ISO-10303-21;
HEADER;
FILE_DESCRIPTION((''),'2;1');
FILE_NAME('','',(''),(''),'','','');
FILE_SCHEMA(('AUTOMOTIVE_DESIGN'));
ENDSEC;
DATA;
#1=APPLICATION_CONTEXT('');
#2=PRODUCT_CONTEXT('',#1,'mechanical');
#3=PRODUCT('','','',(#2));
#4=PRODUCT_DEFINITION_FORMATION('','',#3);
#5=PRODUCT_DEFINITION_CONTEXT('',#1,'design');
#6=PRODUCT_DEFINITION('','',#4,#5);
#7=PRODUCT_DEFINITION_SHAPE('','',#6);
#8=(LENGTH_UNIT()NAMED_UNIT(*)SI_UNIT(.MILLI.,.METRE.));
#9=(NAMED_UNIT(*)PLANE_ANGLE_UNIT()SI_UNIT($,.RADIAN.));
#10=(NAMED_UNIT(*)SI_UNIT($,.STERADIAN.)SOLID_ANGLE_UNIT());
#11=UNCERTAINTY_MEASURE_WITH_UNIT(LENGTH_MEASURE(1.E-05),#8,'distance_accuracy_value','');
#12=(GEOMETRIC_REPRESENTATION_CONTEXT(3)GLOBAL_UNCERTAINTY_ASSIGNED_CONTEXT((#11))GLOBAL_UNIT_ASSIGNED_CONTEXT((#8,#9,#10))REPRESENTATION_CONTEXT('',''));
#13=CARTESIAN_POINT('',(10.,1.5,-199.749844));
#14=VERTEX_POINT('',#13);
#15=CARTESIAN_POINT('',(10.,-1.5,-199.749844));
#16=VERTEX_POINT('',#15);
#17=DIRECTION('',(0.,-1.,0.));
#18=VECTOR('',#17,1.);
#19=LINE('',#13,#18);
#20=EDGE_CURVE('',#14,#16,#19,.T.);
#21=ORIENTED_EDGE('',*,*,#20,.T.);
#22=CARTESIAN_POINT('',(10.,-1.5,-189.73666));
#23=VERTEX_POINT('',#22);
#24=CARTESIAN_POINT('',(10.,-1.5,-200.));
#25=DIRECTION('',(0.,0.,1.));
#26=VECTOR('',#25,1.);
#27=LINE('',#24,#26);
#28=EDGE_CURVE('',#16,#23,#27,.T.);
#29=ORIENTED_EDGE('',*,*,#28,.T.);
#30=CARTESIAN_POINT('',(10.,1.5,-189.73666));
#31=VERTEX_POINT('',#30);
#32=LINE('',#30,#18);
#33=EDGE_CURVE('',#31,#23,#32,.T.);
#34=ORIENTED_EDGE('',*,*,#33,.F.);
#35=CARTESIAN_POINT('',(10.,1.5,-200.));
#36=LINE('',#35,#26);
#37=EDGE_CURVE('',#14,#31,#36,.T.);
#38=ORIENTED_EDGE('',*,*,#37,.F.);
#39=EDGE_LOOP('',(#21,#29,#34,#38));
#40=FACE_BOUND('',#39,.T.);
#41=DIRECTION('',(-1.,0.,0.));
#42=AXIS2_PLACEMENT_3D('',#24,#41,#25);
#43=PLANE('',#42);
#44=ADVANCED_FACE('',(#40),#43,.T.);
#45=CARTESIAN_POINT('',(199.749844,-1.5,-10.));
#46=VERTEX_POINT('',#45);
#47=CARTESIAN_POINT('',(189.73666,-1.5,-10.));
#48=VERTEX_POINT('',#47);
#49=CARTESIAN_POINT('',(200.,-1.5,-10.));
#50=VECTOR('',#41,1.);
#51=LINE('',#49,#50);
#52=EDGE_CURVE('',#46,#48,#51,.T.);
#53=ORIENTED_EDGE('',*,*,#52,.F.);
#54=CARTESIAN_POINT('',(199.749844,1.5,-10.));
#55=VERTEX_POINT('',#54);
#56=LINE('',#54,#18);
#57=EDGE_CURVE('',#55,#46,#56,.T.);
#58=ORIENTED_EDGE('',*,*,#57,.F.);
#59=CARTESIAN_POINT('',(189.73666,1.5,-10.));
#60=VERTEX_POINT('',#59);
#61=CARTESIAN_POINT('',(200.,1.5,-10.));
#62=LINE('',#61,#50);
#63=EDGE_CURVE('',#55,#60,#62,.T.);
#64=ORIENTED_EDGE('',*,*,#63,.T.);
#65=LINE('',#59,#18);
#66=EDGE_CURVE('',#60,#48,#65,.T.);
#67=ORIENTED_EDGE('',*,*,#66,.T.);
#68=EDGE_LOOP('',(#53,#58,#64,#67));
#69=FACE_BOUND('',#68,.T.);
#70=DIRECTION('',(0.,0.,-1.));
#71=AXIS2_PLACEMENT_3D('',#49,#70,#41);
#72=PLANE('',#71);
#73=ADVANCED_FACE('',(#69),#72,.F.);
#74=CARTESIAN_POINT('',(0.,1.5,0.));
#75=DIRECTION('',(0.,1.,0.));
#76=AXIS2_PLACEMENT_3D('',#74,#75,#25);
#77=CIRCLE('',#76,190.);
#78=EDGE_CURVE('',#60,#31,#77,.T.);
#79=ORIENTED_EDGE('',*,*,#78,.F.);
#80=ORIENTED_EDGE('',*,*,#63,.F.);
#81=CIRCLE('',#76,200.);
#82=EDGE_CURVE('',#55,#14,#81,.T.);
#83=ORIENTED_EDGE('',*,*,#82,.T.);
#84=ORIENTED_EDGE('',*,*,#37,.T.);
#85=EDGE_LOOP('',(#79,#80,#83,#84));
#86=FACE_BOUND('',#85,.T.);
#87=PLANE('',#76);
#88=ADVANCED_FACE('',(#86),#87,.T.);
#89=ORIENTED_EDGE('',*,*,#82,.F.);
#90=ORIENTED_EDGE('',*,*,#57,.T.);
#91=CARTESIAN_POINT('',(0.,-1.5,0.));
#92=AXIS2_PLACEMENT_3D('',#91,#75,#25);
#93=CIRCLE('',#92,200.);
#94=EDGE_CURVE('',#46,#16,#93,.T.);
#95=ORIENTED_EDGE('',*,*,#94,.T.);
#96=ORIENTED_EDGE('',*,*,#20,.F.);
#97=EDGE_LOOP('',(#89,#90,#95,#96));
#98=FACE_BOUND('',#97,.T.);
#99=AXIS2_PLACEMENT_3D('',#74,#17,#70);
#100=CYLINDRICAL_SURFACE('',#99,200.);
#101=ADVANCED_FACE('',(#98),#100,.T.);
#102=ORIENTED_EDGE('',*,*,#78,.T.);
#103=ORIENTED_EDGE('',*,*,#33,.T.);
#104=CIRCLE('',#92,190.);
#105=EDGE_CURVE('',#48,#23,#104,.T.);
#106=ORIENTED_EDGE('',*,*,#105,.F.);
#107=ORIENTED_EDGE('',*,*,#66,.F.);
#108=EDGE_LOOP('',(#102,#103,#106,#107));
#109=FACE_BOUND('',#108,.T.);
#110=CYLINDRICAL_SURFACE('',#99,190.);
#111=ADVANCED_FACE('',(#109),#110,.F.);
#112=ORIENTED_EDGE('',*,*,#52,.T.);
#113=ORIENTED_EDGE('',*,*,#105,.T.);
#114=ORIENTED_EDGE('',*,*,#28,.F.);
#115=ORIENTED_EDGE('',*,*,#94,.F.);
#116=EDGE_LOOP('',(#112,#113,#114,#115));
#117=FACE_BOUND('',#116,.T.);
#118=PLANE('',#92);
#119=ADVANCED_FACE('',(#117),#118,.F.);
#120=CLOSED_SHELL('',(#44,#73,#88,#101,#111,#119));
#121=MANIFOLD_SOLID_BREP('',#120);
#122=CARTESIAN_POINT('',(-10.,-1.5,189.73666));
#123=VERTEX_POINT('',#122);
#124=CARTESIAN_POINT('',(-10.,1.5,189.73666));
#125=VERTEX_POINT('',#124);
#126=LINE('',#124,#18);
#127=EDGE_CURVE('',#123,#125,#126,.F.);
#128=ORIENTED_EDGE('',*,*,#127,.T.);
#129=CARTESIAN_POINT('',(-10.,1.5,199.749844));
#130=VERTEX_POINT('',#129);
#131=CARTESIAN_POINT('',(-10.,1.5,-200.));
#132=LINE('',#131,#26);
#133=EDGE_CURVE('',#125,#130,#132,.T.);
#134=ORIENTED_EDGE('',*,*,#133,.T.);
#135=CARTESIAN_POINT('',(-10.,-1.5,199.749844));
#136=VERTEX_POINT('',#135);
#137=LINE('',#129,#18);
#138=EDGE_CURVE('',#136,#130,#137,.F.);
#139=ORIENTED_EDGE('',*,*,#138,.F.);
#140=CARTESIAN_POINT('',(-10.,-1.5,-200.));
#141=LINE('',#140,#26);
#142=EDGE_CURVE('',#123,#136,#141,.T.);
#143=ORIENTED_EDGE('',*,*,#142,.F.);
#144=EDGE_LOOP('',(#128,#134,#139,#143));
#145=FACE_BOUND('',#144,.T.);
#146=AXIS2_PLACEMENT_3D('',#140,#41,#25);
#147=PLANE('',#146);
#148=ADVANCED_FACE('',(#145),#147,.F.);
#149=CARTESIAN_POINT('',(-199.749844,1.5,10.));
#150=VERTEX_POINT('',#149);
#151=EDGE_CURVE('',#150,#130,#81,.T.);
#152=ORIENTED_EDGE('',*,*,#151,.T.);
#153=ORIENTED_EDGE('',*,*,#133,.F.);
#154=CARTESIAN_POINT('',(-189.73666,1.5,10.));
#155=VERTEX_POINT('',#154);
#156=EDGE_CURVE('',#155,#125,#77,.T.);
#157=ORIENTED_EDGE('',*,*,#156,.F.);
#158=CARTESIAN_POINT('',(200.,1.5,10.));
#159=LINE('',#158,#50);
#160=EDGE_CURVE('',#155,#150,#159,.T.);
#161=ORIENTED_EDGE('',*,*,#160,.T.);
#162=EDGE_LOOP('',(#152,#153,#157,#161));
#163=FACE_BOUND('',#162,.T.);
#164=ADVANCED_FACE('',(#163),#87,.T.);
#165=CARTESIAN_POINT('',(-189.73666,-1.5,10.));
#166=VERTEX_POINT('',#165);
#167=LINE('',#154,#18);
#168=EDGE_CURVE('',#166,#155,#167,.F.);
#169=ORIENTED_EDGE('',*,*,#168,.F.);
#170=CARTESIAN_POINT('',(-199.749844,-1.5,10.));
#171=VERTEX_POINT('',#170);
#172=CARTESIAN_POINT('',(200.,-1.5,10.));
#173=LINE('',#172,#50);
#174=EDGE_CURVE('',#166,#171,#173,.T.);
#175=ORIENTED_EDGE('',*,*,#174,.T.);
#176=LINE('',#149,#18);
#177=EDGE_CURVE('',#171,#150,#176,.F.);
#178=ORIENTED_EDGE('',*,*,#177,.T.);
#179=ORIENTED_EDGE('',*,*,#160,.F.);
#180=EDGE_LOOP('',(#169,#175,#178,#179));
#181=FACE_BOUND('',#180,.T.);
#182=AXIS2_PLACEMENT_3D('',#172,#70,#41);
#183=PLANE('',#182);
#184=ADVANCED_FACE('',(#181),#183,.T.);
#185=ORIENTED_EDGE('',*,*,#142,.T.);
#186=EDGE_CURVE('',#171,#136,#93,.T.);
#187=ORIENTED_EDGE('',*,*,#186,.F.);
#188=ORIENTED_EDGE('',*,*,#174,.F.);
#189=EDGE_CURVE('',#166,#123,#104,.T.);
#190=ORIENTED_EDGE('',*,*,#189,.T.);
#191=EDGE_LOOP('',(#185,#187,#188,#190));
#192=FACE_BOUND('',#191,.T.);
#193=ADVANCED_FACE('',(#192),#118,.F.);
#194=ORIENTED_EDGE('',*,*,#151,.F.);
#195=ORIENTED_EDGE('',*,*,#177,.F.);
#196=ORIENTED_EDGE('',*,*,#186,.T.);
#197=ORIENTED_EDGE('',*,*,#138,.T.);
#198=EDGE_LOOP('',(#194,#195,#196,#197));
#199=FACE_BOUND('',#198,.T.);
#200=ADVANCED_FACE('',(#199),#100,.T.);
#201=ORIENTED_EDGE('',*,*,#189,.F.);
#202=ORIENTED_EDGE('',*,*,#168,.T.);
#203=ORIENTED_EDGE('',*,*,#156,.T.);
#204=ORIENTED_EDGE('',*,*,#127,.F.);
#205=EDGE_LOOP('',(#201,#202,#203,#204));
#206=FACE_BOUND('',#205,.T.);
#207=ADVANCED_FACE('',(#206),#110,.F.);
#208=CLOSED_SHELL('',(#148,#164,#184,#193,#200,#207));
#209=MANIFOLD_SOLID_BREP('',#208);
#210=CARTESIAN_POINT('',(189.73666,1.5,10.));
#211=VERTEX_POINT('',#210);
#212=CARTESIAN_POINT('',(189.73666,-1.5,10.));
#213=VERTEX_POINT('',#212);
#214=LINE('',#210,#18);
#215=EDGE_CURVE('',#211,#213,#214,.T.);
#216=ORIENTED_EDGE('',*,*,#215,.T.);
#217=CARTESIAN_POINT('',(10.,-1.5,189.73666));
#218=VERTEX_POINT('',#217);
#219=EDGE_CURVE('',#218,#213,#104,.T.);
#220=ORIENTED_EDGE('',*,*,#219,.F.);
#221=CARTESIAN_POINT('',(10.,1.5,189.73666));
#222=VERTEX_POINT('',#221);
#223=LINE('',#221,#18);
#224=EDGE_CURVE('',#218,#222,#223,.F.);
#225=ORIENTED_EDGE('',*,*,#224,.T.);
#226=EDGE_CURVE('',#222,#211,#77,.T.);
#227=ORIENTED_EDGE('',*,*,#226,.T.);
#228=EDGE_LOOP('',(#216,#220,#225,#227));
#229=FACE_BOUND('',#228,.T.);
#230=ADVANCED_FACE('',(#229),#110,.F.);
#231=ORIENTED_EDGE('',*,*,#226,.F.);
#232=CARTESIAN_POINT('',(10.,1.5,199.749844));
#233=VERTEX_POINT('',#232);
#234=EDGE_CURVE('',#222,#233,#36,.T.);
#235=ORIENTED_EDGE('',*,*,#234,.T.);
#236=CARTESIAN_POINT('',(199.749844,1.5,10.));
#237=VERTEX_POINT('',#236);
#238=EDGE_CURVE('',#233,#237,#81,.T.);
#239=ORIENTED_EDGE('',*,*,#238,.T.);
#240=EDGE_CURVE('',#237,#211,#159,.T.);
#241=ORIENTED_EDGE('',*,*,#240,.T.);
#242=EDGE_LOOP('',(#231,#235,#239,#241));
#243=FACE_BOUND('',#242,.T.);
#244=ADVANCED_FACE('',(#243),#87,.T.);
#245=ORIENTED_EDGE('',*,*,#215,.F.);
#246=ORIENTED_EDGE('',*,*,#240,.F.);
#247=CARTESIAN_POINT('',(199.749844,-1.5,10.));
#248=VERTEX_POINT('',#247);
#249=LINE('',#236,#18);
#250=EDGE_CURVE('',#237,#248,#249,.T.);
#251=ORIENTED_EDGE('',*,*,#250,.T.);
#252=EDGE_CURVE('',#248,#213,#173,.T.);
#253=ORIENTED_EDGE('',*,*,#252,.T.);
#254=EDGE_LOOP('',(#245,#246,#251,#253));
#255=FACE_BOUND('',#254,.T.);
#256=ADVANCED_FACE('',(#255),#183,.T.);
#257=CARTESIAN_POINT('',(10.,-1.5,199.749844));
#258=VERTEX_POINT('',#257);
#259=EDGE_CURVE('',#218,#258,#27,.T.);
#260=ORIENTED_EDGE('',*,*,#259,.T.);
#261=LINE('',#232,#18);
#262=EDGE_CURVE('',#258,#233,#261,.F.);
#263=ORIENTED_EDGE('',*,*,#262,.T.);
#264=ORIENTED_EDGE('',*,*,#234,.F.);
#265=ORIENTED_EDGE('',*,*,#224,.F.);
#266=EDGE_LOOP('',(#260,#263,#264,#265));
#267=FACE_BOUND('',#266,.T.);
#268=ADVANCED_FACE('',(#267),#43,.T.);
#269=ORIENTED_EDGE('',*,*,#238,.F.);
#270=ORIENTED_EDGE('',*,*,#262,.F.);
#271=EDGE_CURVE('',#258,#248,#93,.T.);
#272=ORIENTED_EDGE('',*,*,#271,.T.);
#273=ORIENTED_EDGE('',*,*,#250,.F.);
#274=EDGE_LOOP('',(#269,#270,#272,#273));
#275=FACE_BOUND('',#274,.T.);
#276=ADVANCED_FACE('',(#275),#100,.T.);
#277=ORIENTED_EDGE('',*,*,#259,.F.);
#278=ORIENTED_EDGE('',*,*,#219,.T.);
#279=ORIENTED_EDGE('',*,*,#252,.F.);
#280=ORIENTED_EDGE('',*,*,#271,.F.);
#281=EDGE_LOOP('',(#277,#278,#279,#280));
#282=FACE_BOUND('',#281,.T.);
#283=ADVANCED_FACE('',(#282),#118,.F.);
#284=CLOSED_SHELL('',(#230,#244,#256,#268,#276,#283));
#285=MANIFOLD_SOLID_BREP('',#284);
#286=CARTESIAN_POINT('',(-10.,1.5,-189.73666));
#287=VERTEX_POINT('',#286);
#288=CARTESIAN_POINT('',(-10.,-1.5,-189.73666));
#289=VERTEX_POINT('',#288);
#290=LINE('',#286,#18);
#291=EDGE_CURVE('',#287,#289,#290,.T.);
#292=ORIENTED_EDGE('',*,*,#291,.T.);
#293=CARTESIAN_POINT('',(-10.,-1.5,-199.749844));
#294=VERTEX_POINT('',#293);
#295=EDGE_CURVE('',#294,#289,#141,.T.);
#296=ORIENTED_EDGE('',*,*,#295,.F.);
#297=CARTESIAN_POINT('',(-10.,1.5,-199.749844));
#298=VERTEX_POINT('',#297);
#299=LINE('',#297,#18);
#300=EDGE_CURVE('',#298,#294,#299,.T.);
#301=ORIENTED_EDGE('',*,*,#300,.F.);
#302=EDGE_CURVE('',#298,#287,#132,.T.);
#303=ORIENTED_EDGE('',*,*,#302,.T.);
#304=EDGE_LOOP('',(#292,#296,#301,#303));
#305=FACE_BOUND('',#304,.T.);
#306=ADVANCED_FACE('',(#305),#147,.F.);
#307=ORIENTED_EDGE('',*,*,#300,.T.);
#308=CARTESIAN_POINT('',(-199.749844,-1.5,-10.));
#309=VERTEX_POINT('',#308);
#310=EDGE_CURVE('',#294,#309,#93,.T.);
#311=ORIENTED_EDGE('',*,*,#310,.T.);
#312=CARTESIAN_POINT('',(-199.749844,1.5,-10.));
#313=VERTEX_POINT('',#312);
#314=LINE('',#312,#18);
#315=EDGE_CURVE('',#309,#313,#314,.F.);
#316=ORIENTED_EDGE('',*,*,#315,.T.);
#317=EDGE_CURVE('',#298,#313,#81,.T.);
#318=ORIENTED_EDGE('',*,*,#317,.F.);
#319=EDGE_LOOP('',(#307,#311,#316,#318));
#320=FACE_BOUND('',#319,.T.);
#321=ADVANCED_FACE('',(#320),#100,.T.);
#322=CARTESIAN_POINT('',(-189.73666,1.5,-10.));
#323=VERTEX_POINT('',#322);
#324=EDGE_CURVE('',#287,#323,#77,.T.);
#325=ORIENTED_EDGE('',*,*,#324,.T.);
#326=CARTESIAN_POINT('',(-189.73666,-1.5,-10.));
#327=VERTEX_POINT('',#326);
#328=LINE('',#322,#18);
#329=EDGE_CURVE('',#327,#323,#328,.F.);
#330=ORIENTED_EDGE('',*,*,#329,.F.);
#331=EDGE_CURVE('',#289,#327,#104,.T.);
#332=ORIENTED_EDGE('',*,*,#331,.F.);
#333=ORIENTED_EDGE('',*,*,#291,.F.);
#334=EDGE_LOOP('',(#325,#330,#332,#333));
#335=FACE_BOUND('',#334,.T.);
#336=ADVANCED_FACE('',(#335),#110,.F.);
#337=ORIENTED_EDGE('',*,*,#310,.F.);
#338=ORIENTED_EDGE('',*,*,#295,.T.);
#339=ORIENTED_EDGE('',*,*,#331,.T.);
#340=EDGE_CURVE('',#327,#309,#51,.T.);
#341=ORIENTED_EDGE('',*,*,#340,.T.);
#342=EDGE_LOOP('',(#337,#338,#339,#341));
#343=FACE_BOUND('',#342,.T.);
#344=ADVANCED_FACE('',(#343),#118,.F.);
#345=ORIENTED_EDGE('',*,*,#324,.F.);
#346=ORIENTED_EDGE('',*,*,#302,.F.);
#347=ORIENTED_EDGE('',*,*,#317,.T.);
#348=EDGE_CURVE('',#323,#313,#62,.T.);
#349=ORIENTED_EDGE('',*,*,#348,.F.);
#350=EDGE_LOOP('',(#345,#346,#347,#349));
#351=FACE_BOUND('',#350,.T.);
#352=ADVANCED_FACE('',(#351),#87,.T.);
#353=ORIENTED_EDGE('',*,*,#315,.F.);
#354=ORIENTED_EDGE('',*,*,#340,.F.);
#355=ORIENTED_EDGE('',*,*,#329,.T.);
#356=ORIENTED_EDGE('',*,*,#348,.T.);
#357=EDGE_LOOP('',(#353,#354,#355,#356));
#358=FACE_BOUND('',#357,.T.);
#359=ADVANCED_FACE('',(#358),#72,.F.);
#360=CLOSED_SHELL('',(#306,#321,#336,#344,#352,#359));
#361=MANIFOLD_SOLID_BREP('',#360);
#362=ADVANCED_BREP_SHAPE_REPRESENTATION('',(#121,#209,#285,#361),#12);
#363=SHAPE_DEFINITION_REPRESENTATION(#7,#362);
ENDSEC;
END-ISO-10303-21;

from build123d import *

# Parameters (mm, degrees)
SKETCH1_R            = 200
SKETCH1_R_2          = 190
BOSS_EXTRUDE1_DEPTH  = 1.5
QUADRUPLE_DEPTH      = 283.846689922
QUADRUPLE_DEPTH_BACK = 283.846689922
SKETCH4_W            = 20
SKETCH4_H            = 400
SKETCH4_W_2          = 400
SKETCH4_H_2          = 20


with BuildPart() as part:
    # Sketch1 → Boss-Extrude1 (new, symmetric)
    with BuildSketch(Plane(origin=(0, 0, 0), x_dir=(1, 0, 0), z_dir=(0, 1, 0))):
        Circle(SKETCH1_R)
        Circle(SKETCH1_R_2, mode=Mode.SUBTRACT)
    extrude(amount=BOSS_EXTRUDE1_DEPTH, both=True)

    # Sketch4 → quadruple (cut, two sides: drawn at the far end of the back side and taken through both)
    with BuildSketch(Plane(origin=(0, 0, 0), x_dir=(1, 0, 0), z_dir=(0, 1, 0)).offset(-QUADRUPLE_DEPTH_BACK)):
        Rectangle(SKETCH4_W, SKETCH4_H)
        Rectangle(SKETCH4_W_2, SKETCH4_H_2)
    extrude(amount=QUADRUPLE_DEPTH + QUADRUPLE_DEPTH_BACK, mode=Mode.SUBTRACT)


with BuildPart() as quadruple_piece_1:
    # of the separate pieces the step leaves, piece 1, a body of its own (quadruple_pieces)
    add(part.part.solids().sort_by_distance((199.749843554, -1.5, -10))[0])


with BuildPart() as quadruple_piece_2:
    # of the separate pieces the step leaves, piece 2, a body of its own (quadruple_pieces)
    add(part.part.solids().sort_by_distance((-10, 1.5, -199.749843554))[0])


with BuildPart() as quadruple_piece_3:
    # of the separate pieces the step leaves, piece 3, a body of its own (quadruple_pieces)
    add(part.part.solids().sort_by_distance((-199.749843554, 1.5, 10))[0])


with BuildPart() as quadruple_piece_4:
    # of the separate pieces the step leaves, piece 4, a body of its own (quadruple_pieces)
    add(part.part.solids().sort_by_distance((10, -1.5, 199.749843554))[0])


solid = Compound([quadruple_piece_1.part, quadruple_piece_2.part, quadruple_piece_3.part, quadruple_piece_4.part])
